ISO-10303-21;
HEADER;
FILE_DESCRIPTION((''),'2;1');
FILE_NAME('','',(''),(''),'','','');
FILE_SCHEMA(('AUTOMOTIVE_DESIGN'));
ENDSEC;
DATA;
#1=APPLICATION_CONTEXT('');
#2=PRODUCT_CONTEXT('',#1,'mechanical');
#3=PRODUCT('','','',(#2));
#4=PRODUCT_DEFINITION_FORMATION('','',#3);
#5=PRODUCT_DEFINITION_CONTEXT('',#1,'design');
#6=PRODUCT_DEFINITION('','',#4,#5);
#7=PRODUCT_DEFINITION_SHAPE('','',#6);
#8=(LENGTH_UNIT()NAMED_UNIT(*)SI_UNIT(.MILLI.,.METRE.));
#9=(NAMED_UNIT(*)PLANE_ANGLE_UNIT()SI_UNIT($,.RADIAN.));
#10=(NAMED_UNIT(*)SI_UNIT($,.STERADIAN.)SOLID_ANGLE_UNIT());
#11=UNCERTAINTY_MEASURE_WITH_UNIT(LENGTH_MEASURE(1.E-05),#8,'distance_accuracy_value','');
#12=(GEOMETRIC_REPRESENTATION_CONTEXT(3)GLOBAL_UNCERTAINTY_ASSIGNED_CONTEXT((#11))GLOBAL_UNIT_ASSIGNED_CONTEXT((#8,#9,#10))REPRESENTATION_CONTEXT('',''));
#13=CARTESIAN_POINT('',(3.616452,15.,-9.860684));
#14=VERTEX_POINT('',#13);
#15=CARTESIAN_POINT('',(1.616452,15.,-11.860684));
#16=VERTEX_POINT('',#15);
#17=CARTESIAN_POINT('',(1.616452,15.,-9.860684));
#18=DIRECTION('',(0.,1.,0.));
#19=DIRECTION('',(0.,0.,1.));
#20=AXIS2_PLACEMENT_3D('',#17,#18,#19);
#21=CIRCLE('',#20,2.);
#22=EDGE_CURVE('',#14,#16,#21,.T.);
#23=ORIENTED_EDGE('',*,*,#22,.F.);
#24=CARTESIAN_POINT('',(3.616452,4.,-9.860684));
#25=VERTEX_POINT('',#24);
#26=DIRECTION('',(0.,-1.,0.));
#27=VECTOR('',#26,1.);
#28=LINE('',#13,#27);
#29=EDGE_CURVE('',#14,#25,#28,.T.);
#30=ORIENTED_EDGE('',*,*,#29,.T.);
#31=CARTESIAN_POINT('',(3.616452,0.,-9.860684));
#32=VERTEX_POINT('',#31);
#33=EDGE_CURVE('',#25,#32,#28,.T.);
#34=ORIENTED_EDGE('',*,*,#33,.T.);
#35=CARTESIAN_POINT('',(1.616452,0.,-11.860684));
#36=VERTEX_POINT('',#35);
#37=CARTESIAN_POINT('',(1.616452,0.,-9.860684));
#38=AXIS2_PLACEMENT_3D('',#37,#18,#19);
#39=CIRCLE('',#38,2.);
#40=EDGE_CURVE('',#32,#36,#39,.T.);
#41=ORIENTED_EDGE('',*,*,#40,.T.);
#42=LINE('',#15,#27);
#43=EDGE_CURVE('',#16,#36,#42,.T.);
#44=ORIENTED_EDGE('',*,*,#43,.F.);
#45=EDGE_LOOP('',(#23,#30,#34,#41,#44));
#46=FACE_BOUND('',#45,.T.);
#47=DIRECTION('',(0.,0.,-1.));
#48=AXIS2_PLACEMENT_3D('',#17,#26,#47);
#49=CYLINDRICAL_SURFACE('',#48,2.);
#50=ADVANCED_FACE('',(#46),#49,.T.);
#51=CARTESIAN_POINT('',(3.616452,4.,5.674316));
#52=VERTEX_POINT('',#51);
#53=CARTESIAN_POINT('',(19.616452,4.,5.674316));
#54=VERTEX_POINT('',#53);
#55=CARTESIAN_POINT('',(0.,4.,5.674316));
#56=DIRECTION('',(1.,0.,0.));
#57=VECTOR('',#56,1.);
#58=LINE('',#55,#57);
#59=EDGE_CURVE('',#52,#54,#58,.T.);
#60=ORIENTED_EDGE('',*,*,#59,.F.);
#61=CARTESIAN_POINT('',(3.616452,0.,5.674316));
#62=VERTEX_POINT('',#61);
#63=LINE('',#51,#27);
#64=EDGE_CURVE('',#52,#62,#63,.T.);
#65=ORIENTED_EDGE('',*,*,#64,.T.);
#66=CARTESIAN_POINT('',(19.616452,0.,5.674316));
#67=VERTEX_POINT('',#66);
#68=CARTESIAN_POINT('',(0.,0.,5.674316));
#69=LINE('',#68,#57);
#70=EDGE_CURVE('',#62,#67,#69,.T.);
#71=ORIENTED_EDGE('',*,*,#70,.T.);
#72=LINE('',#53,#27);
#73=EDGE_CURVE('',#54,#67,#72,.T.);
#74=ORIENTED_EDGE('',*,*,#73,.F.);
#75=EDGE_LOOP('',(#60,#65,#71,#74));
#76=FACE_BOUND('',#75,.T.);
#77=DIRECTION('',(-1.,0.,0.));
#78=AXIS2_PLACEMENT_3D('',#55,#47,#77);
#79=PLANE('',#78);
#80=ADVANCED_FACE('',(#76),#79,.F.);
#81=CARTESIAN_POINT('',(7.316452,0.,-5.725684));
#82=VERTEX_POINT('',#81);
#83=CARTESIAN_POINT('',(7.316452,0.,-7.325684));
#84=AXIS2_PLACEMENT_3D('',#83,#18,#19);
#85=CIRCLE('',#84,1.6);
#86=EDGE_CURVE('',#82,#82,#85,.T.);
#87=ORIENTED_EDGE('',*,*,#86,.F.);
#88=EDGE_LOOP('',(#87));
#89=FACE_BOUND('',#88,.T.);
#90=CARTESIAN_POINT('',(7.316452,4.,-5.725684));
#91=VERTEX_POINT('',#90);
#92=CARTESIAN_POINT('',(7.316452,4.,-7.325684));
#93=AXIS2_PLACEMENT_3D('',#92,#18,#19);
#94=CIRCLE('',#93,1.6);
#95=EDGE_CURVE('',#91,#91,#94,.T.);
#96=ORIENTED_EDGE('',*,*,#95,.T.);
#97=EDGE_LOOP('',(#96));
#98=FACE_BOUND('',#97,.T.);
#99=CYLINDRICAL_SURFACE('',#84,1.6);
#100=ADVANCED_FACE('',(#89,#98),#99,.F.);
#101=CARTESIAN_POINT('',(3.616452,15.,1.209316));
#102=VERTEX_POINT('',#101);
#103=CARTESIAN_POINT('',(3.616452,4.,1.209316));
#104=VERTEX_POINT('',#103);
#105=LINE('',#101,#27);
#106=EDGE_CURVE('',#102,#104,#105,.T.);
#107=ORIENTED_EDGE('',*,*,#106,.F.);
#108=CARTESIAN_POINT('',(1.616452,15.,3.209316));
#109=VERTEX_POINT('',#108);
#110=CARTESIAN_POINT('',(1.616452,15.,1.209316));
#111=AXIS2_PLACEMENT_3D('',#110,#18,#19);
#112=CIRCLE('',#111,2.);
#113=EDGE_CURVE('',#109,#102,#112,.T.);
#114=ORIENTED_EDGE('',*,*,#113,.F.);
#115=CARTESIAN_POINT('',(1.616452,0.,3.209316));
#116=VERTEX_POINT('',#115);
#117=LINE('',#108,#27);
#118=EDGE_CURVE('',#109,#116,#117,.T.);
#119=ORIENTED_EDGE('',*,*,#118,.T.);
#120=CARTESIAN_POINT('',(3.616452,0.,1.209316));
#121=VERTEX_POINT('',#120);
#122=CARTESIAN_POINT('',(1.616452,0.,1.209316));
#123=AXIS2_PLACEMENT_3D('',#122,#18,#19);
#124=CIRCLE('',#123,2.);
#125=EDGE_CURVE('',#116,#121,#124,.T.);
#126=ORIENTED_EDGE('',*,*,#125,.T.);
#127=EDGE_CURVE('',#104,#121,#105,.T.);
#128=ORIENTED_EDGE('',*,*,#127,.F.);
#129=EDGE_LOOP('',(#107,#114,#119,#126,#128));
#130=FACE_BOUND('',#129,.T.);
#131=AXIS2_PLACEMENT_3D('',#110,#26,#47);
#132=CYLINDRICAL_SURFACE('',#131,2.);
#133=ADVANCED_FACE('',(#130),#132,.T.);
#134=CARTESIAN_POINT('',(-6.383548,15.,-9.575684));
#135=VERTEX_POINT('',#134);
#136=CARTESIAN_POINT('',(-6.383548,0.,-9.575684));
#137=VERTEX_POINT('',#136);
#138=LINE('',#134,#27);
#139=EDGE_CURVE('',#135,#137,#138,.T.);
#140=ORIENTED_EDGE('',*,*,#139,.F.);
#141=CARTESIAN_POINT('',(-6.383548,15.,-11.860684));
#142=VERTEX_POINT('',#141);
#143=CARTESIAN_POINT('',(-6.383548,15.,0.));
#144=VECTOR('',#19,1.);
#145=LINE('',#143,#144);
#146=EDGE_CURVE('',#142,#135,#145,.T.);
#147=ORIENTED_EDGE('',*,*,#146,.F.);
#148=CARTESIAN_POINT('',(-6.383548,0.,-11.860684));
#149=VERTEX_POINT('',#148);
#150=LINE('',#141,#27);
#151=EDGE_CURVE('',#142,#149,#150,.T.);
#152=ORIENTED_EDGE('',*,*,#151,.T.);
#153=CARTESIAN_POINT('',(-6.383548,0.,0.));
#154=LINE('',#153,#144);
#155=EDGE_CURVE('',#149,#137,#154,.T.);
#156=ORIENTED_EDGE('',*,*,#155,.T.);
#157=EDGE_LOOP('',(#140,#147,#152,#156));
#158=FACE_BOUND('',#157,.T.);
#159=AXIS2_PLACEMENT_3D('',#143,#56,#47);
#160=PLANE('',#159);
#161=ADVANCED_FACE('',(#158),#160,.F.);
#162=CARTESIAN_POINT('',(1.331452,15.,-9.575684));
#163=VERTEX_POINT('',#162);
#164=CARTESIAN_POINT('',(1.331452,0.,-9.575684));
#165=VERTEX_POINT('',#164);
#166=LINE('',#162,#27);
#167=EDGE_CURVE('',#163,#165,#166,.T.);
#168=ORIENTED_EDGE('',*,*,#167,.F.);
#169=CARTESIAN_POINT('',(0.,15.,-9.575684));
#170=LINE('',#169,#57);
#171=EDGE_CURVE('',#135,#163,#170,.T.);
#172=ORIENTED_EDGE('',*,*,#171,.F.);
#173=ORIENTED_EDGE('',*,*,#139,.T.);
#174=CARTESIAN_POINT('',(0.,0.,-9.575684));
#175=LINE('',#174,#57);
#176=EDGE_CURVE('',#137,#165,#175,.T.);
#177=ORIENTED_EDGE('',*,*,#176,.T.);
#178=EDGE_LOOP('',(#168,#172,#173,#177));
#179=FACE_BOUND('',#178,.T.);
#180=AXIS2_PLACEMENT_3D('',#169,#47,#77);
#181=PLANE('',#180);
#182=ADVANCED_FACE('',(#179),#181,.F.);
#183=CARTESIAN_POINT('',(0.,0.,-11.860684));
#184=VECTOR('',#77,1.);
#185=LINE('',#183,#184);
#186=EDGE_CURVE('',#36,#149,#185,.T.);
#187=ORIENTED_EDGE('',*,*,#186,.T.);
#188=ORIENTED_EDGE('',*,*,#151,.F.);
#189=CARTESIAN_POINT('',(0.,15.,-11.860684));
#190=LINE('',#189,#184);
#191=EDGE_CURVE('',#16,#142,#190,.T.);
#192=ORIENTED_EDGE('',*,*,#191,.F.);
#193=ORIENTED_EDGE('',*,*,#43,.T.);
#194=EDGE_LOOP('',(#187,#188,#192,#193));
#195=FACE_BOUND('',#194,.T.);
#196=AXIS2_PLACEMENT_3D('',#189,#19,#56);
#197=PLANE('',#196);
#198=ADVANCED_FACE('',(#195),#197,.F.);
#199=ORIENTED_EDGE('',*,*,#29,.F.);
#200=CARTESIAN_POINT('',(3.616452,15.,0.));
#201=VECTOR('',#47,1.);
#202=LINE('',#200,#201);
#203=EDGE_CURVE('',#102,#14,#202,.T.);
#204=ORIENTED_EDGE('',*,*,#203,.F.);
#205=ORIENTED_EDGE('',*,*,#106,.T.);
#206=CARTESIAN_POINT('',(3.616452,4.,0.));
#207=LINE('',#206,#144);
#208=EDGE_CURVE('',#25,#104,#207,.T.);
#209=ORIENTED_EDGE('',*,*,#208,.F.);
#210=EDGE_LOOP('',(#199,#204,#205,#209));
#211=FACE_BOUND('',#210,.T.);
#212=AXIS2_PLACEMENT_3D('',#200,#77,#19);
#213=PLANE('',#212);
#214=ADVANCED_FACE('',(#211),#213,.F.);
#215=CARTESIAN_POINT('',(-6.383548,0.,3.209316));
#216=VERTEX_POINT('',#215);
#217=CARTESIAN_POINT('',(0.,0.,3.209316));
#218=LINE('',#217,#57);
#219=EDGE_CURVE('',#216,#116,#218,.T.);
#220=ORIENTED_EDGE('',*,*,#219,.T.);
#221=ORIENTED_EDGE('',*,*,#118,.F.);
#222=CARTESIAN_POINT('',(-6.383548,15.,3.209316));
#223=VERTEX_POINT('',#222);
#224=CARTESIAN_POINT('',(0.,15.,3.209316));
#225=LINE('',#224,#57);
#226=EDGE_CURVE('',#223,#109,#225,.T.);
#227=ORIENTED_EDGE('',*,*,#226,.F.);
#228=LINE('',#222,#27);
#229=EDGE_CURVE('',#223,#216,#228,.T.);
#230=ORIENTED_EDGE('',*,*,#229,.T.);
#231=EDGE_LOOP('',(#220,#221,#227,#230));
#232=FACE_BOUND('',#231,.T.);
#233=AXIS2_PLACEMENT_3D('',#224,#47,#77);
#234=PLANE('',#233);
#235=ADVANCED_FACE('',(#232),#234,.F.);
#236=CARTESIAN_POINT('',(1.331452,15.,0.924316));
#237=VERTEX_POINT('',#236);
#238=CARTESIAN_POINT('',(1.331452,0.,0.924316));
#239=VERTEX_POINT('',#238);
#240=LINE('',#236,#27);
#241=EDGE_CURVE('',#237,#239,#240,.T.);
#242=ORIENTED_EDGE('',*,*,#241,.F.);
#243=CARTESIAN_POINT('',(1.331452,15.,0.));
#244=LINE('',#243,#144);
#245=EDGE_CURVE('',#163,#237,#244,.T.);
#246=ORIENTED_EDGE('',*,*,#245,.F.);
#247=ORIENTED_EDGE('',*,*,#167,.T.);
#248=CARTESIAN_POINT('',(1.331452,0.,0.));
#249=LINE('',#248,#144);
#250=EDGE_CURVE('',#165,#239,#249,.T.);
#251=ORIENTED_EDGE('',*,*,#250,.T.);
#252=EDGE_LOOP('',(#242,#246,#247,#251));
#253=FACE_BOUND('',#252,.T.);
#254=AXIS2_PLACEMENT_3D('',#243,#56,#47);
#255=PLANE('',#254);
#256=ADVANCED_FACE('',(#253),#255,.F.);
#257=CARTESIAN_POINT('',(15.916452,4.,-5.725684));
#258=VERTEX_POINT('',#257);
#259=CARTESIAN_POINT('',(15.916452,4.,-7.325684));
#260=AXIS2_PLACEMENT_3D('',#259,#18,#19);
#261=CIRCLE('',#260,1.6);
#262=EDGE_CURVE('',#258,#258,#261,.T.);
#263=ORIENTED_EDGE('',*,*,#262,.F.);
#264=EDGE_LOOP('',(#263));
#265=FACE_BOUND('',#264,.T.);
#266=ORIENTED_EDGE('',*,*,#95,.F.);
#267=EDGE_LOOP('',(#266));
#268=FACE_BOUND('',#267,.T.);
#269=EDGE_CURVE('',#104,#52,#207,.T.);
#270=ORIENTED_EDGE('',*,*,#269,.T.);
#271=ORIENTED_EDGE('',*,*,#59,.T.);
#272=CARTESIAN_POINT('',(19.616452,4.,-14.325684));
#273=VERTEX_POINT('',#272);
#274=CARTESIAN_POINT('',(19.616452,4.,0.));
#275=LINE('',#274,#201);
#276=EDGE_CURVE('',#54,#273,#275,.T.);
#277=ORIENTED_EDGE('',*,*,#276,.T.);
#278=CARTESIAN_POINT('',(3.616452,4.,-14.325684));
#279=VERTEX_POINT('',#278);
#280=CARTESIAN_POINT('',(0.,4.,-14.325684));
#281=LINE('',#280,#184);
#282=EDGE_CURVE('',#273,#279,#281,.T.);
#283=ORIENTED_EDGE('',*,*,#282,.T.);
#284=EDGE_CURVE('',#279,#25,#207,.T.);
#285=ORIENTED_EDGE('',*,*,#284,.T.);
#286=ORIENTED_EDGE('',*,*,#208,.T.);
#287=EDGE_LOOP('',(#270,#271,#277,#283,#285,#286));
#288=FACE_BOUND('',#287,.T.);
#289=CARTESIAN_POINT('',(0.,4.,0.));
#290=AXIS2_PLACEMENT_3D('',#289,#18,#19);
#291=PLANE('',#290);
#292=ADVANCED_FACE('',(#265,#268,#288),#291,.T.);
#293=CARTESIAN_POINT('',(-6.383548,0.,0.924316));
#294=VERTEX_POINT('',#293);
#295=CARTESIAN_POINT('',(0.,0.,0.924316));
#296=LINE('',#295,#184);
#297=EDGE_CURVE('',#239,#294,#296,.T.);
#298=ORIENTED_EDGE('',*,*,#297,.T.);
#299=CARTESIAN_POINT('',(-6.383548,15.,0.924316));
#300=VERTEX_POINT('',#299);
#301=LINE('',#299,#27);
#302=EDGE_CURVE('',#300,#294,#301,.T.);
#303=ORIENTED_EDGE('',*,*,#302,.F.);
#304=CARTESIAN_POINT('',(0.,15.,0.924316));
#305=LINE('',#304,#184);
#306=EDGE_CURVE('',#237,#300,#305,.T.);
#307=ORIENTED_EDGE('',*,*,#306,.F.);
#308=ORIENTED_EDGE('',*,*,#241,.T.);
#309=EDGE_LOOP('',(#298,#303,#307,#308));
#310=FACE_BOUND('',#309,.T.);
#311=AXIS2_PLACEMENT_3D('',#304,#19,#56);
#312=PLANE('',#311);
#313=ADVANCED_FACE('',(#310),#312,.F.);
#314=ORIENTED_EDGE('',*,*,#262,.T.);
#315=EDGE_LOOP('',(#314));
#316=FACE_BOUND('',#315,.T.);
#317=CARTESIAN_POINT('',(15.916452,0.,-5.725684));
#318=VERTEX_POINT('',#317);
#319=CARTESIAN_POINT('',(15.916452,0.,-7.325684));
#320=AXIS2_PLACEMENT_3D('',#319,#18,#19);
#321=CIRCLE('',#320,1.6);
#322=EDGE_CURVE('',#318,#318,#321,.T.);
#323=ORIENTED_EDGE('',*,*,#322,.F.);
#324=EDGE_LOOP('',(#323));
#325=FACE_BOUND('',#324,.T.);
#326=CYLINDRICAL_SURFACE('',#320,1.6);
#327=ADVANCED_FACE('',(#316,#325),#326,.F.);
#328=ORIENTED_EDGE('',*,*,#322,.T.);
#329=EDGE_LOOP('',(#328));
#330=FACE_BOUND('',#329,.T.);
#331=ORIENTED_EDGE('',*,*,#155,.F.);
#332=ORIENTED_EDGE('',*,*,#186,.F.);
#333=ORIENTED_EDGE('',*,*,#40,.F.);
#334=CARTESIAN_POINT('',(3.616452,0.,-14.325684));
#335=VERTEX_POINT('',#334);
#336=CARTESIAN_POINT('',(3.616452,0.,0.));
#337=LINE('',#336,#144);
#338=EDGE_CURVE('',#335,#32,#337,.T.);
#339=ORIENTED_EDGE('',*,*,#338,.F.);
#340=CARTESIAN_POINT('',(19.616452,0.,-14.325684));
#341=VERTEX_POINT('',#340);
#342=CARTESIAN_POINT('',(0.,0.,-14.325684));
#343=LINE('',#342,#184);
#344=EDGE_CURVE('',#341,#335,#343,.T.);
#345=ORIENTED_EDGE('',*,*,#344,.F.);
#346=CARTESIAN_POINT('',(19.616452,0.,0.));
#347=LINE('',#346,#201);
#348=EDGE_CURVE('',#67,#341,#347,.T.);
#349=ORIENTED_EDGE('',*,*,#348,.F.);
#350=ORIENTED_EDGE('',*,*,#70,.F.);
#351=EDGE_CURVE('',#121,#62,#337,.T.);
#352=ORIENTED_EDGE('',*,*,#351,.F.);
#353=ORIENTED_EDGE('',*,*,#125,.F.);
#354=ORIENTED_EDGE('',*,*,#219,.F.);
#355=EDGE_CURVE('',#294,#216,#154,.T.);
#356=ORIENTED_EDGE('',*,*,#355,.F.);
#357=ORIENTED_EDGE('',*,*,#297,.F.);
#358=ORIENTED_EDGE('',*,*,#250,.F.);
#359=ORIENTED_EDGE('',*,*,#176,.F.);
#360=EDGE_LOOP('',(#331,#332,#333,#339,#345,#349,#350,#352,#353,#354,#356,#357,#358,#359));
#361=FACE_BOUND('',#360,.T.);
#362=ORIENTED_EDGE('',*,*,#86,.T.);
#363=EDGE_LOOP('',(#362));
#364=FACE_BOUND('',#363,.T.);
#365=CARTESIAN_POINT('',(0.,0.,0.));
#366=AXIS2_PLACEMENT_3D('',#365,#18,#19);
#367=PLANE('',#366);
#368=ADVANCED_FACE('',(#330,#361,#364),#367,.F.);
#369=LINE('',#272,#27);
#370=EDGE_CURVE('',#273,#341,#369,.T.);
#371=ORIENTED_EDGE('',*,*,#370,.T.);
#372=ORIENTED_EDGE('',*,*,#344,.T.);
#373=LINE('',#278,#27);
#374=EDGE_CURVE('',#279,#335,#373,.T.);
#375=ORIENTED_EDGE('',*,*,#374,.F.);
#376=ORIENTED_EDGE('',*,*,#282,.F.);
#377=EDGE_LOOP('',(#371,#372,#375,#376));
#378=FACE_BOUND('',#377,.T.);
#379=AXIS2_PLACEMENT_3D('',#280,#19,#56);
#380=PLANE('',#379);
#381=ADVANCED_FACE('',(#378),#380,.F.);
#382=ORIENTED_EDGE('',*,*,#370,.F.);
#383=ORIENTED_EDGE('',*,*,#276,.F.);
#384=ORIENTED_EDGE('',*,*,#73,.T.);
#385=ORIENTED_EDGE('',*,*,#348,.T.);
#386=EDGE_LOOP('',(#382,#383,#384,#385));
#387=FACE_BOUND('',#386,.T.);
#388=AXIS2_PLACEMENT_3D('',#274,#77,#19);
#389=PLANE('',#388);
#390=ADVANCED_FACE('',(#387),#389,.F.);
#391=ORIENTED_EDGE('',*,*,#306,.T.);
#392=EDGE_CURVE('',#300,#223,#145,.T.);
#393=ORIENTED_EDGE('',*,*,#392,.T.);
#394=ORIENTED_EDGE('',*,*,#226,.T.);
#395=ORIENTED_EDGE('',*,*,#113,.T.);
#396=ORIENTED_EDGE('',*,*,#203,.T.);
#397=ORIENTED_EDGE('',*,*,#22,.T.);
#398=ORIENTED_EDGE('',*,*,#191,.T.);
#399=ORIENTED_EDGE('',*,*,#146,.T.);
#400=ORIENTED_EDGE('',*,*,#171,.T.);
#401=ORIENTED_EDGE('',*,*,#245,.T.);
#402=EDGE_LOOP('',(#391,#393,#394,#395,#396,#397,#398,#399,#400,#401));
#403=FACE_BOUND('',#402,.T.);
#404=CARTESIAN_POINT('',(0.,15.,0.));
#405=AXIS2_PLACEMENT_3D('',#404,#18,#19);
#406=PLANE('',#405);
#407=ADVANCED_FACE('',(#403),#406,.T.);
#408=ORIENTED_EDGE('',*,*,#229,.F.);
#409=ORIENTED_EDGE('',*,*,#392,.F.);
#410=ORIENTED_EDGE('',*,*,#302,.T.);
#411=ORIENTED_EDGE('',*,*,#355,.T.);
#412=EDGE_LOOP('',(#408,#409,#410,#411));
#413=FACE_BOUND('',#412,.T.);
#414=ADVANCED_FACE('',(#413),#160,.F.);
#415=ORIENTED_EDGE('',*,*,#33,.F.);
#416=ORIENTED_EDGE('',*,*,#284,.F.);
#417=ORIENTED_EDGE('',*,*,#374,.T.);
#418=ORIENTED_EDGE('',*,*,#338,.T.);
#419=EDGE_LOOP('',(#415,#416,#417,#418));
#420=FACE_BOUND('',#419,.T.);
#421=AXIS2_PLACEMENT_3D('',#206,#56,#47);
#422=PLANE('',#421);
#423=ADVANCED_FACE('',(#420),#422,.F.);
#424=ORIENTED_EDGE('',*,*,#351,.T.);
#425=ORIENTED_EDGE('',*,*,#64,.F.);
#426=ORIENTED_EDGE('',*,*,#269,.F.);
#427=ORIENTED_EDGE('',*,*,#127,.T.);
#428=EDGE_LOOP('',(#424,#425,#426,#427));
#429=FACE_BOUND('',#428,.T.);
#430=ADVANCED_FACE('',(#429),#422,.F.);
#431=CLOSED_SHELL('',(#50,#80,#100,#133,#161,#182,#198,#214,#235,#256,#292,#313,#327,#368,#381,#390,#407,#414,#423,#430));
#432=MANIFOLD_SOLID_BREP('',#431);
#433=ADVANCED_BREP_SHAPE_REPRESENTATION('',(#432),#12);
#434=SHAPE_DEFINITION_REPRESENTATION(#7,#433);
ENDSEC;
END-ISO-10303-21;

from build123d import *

# Parameters (mm, degrees)
EXTRUDE_3_DEPTH     = 15
EXTRUDE_4_DEPTH     = 4
SKETCH_8_R          = 1.6
CUT_EXTRUDE_1_DEPTH = 27.665153141


with BuildPart() as part:
    # 草图3 → 凸台-拉伸3 (new body)
    with BuildSketch(Plane(origin=(0, 0, 0), x_dir=(1, 0, 0), z_dir=(0, 1, 0))):
        with BuildLine():
            Line((1.616451797, 11.860683611), (-6.383548203, 11.860683611))
            Line((-6.383548203, 11.860683611), (-6.383548203, 9.575683611))
            Line((-6.383548203, 9.575683611), (1.331451797, 9.575683611))
            Line((1.331451797, 9.575683611), (1.331451797, -0.924316389))
            Line((1.331451797, -0.924316389), (-6.383548203, -0.924316389))
            Line((-6.383548203, -0.924316389), (-6.383548203, -3.209316389))
            Line((-6.383548203, -3.209316389), (1.616451797, -3.209316389))
            ThreePointArc((1.616451797, -3.209316389), (3.030665359, -2.623529952), (3.616451797, -1.209316389))
            Line((3.616451797, -1.209316389), (3.616451797, 9.860683611))
            ThreePointArc((3.616451797, 9.860683611), (3.030665359, 11.274897173), (1.616451797, 11.860683611))
        make_face()
    extrude(amount=EXTRUDE_3_DEPTH)

    # 草图3<4> → 凸台-拉伸4 (add)
    with BuildSketch(Plane(origin=(0, 0, 0), x_dir=(1, 0, 0), z_dir=(0, 1, 0))):
        Polygon((3.616451797, 14.325683611), (3.616451797, 9.860683611), (3.616451797, -1.209316389), (3.616451797, -5.674316389), (19.616451797, -5.674316389), (19.616451797, 14.325683611), align=None)
    extrude(amount=EXTRUDE_4_DEPTH)

    # 草图8 → 切除-拉伸1 (cut, through all)
    with BuildSketch(Plane(origin=(0, 4, 0), x_dir=(1, 0, 0), z_dir=(0, 1, 0))):
        with Locations((7.316451797, 7.325683611)):
            Circle(SKETCH_8_R)
        with Locations((15.916451797, 7.325683611)):
            Circle(SKETCH_8_R)
    extrude(amount=-CUT_EXTRUDE_1_DEPTH, mode=Mode.SUBTRACT)


solid = part.part
